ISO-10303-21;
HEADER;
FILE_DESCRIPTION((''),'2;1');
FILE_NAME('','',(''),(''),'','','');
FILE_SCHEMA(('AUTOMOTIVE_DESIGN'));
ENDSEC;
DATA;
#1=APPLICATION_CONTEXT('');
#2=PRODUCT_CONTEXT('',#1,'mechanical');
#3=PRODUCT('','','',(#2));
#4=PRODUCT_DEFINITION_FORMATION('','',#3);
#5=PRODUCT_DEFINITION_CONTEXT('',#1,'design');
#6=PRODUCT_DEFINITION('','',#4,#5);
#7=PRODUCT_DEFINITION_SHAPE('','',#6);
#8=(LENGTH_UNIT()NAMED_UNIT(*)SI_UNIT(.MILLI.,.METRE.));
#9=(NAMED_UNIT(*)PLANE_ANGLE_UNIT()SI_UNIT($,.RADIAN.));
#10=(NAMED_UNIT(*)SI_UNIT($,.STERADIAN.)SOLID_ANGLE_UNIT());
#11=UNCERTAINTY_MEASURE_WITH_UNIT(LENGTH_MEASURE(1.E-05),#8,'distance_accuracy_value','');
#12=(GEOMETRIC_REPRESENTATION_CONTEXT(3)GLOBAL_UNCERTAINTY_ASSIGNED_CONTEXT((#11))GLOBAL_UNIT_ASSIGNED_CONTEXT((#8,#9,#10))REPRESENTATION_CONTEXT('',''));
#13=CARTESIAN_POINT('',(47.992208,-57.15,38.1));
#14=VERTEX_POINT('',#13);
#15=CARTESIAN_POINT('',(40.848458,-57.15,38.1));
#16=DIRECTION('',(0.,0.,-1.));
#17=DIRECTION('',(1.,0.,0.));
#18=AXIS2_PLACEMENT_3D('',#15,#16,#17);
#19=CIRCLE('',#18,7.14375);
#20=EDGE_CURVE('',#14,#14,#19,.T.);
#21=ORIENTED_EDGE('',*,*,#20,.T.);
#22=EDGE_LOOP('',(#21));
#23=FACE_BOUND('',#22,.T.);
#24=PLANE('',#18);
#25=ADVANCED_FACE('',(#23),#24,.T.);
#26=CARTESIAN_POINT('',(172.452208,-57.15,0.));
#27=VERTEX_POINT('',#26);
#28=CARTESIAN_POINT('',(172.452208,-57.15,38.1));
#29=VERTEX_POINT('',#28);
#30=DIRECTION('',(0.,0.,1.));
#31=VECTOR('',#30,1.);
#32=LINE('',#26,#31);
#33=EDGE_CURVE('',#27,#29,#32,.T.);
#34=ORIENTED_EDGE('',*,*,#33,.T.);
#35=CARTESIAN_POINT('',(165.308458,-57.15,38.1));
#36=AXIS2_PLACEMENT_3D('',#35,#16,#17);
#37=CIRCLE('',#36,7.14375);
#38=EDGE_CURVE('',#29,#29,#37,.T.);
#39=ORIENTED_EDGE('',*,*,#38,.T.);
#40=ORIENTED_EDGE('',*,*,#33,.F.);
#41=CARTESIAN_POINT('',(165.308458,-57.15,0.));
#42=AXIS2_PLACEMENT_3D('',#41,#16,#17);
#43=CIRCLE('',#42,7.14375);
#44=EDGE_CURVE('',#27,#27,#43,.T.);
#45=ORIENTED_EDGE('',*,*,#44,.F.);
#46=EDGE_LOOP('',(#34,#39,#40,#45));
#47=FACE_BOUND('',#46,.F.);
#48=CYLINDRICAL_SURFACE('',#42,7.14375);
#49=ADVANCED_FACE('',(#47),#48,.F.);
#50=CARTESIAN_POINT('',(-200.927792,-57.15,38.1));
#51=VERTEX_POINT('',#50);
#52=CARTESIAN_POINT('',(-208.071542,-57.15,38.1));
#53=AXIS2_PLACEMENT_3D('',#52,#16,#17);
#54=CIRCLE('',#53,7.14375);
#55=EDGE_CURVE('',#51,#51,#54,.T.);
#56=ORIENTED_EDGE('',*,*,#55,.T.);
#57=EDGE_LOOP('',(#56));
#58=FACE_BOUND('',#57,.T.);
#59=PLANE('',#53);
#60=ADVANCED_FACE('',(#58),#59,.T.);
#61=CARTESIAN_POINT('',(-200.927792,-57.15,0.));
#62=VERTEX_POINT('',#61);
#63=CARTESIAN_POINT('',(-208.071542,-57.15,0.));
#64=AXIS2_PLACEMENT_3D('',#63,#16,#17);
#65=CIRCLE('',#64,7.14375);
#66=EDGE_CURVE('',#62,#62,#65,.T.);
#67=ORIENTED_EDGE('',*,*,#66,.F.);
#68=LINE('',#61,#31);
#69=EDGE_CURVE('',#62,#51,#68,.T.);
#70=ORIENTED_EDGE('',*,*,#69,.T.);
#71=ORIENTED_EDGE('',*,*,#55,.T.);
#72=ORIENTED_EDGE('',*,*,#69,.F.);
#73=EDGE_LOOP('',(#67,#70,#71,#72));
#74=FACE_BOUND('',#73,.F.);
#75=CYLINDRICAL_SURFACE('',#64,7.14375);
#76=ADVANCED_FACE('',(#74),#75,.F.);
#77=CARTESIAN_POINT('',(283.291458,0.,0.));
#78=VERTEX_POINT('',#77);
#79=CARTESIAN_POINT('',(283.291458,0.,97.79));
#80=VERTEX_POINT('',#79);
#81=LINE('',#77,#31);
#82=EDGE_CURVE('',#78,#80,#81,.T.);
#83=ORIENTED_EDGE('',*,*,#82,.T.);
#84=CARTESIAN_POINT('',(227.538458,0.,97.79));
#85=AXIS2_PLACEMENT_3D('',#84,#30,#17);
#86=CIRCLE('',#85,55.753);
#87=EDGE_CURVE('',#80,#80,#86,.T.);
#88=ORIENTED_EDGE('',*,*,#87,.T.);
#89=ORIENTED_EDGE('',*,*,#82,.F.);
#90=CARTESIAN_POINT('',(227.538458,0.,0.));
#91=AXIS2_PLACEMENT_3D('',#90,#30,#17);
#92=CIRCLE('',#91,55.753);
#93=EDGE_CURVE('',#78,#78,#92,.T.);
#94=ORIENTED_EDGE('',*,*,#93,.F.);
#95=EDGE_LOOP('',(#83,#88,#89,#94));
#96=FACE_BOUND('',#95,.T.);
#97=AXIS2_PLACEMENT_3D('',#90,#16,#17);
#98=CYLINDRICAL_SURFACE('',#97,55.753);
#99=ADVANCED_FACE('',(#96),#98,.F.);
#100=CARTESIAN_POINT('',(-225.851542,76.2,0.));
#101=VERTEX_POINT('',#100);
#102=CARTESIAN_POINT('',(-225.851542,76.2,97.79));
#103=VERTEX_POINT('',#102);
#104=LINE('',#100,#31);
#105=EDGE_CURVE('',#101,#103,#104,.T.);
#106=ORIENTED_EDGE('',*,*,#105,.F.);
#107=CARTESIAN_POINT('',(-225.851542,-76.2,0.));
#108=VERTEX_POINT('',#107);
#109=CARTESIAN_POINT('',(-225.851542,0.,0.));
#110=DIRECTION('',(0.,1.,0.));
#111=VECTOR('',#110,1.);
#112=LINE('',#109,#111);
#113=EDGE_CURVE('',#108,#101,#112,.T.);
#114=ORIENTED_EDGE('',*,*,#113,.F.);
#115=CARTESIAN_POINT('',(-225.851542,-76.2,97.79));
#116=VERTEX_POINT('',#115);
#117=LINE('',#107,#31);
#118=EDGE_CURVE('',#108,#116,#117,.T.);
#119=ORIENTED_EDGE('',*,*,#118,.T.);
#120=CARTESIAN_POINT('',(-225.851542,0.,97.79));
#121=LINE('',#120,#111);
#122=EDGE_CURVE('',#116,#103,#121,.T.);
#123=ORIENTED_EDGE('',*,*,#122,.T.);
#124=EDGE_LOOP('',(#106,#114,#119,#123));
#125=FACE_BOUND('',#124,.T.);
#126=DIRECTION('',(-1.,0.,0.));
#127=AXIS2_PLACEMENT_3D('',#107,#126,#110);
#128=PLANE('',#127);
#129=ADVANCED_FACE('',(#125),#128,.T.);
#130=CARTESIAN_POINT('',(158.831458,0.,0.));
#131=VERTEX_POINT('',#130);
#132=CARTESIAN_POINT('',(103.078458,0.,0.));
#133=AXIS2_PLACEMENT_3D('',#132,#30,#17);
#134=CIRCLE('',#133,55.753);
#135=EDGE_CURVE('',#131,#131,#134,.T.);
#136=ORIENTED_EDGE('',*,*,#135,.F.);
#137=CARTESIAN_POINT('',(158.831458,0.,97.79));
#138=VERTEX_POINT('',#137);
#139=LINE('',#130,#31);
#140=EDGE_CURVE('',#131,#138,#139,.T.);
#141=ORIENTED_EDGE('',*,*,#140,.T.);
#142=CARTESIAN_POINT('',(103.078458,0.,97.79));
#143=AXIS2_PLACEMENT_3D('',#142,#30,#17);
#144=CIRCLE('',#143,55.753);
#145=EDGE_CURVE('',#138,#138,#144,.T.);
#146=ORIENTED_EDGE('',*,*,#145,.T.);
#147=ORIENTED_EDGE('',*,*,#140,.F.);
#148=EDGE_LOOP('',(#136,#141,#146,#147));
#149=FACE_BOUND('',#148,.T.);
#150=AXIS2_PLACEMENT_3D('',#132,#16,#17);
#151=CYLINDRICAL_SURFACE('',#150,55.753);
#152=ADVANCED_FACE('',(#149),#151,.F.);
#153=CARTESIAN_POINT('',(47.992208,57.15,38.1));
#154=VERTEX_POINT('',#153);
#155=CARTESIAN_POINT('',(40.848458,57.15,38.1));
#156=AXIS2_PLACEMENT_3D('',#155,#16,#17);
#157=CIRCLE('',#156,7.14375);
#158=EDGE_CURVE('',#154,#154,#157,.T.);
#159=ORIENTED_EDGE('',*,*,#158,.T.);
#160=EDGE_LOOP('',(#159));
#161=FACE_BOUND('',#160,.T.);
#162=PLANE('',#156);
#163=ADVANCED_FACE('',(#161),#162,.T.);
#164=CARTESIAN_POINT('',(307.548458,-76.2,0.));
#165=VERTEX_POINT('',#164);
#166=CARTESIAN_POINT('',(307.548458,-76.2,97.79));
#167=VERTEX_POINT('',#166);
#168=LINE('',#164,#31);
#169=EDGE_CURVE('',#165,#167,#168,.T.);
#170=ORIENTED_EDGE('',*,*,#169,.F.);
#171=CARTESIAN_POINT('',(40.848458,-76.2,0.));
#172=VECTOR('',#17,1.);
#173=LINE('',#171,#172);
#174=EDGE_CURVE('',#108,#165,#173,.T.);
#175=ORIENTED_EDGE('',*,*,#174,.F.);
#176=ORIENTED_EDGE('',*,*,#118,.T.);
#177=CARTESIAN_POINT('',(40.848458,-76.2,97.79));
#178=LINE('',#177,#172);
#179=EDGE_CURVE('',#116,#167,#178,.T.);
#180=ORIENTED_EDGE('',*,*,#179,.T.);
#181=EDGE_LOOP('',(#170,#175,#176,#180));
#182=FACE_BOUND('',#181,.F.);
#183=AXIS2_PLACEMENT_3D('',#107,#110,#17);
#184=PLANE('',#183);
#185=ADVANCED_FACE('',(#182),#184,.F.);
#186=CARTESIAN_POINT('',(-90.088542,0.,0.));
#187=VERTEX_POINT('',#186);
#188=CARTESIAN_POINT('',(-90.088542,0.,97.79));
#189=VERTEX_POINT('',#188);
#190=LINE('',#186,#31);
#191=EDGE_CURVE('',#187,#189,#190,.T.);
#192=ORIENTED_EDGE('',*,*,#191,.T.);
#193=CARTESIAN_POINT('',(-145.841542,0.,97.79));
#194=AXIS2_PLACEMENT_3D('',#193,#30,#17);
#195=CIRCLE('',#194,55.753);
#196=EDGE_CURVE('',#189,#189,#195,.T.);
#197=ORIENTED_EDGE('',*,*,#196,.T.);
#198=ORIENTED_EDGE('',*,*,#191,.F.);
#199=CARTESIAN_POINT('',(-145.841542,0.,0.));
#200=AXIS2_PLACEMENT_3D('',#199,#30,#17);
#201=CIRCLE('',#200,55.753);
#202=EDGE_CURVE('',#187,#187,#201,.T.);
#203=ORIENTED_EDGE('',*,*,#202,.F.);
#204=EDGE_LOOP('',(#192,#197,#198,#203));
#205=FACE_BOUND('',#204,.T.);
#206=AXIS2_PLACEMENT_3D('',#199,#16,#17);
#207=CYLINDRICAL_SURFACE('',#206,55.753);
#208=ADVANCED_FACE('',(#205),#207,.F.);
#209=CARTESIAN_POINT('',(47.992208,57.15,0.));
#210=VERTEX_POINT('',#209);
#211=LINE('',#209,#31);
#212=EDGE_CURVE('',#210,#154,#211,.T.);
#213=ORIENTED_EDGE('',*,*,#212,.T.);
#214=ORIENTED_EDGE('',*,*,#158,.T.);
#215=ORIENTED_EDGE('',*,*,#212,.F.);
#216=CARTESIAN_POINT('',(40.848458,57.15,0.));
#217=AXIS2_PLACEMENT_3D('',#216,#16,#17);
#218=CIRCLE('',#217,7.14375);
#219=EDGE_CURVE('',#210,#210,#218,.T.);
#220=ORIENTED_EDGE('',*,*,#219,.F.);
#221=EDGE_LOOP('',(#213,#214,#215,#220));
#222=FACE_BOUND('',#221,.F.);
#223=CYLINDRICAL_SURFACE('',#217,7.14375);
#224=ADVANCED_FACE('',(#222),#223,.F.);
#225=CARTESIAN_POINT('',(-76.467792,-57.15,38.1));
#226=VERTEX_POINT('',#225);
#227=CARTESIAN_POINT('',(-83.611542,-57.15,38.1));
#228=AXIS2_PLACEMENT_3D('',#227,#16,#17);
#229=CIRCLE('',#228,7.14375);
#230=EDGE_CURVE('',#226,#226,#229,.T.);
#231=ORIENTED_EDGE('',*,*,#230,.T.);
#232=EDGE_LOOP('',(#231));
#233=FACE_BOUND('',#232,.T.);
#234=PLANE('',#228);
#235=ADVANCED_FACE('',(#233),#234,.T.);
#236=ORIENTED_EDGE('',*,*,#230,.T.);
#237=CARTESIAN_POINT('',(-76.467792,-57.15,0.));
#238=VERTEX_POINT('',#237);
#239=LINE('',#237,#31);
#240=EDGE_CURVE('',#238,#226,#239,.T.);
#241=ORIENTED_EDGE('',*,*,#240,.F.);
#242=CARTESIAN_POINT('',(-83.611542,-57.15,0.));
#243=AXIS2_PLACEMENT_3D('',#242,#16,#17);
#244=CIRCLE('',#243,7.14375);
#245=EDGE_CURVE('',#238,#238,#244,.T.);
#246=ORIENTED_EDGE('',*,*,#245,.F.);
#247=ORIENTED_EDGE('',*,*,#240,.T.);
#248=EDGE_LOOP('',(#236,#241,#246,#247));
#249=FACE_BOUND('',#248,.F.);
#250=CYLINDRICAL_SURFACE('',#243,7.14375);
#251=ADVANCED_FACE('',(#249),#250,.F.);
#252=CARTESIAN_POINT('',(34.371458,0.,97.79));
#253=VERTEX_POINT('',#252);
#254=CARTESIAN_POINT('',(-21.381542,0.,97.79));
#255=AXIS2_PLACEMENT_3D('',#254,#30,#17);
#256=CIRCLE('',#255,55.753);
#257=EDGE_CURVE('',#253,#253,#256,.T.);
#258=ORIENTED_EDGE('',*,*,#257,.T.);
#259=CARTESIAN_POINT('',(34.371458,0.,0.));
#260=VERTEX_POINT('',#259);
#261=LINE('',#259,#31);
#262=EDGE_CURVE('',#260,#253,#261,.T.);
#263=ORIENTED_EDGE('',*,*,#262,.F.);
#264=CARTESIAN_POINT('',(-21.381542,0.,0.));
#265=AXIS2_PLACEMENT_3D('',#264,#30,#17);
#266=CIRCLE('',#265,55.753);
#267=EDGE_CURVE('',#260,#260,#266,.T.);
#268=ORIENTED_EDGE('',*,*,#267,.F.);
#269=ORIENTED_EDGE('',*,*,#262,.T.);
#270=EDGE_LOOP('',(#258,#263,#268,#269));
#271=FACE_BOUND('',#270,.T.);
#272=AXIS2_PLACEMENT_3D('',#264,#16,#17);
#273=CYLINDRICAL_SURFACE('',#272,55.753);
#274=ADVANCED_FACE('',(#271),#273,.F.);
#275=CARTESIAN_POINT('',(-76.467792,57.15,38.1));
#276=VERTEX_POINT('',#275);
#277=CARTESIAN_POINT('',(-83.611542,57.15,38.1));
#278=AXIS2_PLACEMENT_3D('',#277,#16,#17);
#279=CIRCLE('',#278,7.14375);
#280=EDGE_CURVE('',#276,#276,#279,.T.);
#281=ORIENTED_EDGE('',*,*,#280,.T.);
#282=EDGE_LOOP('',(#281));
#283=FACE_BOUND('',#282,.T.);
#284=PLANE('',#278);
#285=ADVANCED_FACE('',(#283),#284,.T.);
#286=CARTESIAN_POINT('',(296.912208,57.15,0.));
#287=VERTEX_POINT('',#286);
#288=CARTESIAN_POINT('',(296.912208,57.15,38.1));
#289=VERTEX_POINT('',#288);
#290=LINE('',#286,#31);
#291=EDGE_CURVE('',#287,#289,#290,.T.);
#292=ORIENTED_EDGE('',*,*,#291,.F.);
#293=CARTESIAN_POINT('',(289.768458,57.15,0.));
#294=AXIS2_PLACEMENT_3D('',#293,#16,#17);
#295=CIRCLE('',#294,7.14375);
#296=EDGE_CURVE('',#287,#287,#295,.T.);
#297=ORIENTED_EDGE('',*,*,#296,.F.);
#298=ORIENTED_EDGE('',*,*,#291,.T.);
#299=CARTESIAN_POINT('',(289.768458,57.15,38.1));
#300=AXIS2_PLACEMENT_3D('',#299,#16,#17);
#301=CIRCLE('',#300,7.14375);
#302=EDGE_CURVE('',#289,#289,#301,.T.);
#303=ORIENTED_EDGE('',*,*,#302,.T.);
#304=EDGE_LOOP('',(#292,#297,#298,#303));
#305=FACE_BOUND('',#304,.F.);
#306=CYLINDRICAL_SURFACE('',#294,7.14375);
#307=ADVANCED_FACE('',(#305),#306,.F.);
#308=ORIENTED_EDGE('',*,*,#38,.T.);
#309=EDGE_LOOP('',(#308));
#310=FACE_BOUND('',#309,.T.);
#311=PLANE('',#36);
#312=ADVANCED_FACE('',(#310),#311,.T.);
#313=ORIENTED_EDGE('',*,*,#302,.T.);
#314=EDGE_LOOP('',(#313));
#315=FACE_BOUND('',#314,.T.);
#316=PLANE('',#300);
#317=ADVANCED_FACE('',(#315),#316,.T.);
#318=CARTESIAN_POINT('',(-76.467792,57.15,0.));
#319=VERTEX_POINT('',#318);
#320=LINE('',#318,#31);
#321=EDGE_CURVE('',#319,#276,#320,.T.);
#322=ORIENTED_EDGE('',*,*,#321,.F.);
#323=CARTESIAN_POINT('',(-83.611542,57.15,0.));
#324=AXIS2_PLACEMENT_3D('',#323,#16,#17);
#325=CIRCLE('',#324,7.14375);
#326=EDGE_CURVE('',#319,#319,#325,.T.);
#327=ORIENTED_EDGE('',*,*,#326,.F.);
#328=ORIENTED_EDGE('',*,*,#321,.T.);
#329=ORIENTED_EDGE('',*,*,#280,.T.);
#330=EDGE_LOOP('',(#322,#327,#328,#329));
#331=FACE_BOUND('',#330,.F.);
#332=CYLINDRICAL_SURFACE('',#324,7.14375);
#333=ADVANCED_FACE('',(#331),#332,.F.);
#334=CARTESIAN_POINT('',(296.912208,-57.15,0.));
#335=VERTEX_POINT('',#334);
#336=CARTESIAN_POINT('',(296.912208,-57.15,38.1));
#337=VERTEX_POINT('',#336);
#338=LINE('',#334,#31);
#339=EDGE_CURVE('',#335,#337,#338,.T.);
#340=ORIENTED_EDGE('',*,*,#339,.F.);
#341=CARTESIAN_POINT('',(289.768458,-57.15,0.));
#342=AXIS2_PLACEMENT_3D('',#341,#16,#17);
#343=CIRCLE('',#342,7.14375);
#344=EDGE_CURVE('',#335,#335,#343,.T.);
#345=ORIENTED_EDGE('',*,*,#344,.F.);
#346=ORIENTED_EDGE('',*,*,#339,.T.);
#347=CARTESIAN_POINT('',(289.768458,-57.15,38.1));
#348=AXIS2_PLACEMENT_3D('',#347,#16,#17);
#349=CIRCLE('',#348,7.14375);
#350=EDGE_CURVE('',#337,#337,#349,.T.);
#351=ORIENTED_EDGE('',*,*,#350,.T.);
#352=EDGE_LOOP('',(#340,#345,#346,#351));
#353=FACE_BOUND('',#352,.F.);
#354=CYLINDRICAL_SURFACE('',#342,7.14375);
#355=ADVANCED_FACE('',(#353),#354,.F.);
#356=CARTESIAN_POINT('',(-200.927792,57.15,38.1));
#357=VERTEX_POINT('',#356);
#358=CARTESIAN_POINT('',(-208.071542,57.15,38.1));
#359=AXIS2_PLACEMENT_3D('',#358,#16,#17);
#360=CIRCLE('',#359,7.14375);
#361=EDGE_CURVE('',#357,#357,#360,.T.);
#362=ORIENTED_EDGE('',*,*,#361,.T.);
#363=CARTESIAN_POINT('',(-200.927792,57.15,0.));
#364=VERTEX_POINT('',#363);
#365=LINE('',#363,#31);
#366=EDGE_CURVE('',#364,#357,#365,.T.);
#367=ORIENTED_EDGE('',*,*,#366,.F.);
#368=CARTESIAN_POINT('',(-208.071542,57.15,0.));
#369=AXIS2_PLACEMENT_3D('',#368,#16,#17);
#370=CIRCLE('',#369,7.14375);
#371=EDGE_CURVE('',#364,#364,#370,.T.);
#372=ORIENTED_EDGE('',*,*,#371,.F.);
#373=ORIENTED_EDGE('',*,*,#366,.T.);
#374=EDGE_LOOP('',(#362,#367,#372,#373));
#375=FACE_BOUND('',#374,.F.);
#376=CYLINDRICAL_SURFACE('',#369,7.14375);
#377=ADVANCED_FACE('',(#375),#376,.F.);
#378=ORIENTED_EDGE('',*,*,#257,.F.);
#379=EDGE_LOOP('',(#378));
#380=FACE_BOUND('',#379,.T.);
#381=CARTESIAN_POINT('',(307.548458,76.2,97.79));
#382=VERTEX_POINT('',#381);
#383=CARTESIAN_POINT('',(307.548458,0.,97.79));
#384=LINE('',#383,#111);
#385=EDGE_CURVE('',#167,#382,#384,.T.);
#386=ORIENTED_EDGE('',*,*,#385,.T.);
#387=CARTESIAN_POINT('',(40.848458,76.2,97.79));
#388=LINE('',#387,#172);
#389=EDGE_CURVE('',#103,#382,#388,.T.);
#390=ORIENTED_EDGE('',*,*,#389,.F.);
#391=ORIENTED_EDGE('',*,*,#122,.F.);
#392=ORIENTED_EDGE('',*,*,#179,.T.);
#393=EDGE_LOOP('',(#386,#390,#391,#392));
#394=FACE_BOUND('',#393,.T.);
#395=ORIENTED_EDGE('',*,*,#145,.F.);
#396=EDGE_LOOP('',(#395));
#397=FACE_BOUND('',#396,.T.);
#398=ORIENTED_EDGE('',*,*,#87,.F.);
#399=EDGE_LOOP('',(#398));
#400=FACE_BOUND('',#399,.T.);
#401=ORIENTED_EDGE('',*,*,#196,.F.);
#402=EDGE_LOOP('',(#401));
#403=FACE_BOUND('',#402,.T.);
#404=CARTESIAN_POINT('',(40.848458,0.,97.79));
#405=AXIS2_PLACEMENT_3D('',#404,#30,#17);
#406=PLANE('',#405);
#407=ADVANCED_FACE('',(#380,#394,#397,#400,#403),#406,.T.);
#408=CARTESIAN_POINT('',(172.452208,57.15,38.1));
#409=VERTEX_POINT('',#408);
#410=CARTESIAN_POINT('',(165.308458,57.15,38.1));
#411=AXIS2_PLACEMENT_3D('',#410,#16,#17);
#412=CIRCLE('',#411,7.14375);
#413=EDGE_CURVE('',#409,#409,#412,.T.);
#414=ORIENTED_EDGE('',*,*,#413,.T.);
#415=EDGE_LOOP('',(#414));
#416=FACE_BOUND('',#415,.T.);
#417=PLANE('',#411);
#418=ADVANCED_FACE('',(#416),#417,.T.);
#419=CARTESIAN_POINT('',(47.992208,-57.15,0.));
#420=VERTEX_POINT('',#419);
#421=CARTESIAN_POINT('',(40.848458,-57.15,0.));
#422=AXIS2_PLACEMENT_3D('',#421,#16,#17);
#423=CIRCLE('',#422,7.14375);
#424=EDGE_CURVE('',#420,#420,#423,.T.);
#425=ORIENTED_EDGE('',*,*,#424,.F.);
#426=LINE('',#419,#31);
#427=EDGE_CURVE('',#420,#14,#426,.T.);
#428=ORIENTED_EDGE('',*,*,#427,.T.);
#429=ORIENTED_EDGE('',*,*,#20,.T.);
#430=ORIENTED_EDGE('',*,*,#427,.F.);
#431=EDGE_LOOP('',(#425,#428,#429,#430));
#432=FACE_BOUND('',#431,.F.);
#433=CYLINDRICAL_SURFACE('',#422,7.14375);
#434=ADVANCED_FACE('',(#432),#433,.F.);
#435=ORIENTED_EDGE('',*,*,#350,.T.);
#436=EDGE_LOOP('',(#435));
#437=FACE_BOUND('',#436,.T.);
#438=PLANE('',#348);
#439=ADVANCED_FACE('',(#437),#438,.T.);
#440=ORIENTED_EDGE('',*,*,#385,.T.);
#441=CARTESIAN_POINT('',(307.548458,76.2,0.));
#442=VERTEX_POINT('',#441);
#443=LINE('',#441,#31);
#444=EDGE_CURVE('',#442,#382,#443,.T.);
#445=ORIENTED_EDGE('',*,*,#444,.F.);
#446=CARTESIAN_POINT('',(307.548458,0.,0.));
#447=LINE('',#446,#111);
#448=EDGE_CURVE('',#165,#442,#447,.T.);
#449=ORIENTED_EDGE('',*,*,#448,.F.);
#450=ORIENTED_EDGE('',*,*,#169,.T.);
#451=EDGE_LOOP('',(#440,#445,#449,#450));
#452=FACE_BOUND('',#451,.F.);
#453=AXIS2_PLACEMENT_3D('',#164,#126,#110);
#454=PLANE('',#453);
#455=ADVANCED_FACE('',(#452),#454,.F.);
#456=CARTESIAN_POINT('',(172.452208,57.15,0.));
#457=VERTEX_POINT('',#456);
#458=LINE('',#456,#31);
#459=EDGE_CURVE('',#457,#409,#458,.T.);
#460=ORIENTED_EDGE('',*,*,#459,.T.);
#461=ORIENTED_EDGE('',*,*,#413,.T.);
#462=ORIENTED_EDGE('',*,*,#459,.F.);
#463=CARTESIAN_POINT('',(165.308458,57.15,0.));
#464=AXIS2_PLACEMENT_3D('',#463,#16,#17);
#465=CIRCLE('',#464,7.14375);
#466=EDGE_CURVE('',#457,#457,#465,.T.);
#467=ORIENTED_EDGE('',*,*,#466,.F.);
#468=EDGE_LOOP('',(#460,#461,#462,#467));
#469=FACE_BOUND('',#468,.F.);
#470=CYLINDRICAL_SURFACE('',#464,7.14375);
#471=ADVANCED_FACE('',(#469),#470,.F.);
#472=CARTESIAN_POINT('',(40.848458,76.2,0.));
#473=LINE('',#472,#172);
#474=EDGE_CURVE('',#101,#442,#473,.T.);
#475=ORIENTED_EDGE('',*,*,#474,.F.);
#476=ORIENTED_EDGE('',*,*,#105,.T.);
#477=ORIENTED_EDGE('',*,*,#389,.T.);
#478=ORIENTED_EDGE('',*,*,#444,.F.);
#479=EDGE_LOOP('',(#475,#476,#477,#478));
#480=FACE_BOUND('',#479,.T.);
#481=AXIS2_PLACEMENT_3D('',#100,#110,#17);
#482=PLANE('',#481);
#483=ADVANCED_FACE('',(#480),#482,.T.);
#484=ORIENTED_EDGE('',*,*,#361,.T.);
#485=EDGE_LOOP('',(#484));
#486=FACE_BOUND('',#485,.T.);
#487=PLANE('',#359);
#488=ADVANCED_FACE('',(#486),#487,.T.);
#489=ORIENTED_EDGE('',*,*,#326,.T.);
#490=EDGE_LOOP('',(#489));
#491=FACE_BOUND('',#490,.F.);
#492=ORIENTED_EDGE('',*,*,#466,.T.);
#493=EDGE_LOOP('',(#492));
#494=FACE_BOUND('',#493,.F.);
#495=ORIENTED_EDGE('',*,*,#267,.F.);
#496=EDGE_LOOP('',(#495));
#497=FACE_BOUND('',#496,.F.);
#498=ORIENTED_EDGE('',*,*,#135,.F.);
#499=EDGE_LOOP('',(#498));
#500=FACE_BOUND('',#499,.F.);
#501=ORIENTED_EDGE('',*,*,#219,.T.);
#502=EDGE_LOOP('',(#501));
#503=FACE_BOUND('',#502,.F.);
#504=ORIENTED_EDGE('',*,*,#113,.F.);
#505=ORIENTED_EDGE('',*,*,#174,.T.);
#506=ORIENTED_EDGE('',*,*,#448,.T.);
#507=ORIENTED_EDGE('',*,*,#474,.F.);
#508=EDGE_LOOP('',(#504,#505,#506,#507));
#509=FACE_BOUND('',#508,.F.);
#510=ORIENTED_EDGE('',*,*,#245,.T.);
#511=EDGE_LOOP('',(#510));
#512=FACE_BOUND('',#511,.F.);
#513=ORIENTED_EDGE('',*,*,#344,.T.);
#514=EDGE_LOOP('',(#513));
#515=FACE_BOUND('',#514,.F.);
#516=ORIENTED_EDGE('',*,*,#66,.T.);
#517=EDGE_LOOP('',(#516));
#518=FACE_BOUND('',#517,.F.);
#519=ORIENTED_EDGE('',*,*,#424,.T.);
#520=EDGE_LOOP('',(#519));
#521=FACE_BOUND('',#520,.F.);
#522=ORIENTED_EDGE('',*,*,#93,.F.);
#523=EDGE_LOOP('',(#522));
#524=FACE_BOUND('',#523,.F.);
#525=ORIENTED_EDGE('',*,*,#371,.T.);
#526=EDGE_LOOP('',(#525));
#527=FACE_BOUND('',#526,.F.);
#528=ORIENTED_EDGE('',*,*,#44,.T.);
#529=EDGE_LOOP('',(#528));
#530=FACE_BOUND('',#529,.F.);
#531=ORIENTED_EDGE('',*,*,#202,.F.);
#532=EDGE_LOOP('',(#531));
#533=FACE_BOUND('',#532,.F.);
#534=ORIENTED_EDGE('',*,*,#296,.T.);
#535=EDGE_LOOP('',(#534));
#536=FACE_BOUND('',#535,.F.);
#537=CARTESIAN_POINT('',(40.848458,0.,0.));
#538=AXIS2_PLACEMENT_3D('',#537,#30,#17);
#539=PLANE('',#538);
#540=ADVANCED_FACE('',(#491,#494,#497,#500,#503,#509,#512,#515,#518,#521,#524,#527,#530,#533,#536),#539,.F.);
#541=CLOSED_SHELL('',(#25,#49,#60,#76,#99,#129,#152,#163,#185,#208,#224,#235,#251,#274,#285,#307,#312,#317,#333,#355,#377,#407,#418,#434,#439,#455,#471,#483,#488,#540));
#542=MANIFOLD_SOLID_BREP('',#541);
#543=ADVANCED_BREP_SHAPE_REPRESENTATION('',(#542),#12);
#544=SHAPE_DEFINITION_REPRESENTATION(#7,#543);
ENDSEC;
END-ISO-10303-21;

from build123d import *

# Parameters (mm, degrees)
F0_W     = 533.4
F0_H     = 152.4
F0_R     = 55.753
F1_DEPTH = 97.79
F2_R     = 7.14375
F3_DEPTH = 38.1


with BuildPart() as f1:
    # F0 (on Top) → F1 (new body)
    with BuildSketch(Plane.XY):
        with Locations((40.848458, 0)):
            Rectangle(F0_W, F0_H)
        with Locations((-145.841542, 0)):
            Circle(F0_R, mode=Mode.SUBTRACT)
        with Locations((-21.381542, 0)):
            Circle(F0_R, mode=Mode.SUBTRACT)
        with Locations((103.078458, 0)):
            Circle(F0_R, mode=Mode.SUBTRACT)
        with Locations((227.538458, 0)):
            Circle(F0_R, mode=Mode.SUBTRACT)
    extrude(amount=F1_DEPTH)

    # F2 (on face) → F3 (cut)
    with BuildSketch(Plane(origin=(0, 0, 0), x_dir=(1, 0, 0), z_dir=(0, 0, -1))):
        with Locations((-208.071542, 57.15)):
            Circle(F2_R)
        with Locations((-83.611542, 57.15)):
            Circle(F2_R)
        with Locations((-208.071542, -57.15)):
            Circle(F2_R)
        with Locations((-83.611542, -57.15)):
            Circle(F2_R)
        with Locations((40.848458, 57.15)):
            Circle(F2_R)
        with Locations((40.848458, -57.15)):
            Circle(F2_R)
        with Locations((165.308458, -57.15)):
            Circle(F2_R)
        with Locations((165.308458, 57.15)):
            Circle(F2_R)
        with Locations((289.768458, 57.15)):
            Circle(F2_R)
        with Locations((289.768458, -57.15)):
            Circle(F2_R)
    extrude(amount=-F3_DEPTH, mode=Mode.SUBTRACT)


solid = f1.part
